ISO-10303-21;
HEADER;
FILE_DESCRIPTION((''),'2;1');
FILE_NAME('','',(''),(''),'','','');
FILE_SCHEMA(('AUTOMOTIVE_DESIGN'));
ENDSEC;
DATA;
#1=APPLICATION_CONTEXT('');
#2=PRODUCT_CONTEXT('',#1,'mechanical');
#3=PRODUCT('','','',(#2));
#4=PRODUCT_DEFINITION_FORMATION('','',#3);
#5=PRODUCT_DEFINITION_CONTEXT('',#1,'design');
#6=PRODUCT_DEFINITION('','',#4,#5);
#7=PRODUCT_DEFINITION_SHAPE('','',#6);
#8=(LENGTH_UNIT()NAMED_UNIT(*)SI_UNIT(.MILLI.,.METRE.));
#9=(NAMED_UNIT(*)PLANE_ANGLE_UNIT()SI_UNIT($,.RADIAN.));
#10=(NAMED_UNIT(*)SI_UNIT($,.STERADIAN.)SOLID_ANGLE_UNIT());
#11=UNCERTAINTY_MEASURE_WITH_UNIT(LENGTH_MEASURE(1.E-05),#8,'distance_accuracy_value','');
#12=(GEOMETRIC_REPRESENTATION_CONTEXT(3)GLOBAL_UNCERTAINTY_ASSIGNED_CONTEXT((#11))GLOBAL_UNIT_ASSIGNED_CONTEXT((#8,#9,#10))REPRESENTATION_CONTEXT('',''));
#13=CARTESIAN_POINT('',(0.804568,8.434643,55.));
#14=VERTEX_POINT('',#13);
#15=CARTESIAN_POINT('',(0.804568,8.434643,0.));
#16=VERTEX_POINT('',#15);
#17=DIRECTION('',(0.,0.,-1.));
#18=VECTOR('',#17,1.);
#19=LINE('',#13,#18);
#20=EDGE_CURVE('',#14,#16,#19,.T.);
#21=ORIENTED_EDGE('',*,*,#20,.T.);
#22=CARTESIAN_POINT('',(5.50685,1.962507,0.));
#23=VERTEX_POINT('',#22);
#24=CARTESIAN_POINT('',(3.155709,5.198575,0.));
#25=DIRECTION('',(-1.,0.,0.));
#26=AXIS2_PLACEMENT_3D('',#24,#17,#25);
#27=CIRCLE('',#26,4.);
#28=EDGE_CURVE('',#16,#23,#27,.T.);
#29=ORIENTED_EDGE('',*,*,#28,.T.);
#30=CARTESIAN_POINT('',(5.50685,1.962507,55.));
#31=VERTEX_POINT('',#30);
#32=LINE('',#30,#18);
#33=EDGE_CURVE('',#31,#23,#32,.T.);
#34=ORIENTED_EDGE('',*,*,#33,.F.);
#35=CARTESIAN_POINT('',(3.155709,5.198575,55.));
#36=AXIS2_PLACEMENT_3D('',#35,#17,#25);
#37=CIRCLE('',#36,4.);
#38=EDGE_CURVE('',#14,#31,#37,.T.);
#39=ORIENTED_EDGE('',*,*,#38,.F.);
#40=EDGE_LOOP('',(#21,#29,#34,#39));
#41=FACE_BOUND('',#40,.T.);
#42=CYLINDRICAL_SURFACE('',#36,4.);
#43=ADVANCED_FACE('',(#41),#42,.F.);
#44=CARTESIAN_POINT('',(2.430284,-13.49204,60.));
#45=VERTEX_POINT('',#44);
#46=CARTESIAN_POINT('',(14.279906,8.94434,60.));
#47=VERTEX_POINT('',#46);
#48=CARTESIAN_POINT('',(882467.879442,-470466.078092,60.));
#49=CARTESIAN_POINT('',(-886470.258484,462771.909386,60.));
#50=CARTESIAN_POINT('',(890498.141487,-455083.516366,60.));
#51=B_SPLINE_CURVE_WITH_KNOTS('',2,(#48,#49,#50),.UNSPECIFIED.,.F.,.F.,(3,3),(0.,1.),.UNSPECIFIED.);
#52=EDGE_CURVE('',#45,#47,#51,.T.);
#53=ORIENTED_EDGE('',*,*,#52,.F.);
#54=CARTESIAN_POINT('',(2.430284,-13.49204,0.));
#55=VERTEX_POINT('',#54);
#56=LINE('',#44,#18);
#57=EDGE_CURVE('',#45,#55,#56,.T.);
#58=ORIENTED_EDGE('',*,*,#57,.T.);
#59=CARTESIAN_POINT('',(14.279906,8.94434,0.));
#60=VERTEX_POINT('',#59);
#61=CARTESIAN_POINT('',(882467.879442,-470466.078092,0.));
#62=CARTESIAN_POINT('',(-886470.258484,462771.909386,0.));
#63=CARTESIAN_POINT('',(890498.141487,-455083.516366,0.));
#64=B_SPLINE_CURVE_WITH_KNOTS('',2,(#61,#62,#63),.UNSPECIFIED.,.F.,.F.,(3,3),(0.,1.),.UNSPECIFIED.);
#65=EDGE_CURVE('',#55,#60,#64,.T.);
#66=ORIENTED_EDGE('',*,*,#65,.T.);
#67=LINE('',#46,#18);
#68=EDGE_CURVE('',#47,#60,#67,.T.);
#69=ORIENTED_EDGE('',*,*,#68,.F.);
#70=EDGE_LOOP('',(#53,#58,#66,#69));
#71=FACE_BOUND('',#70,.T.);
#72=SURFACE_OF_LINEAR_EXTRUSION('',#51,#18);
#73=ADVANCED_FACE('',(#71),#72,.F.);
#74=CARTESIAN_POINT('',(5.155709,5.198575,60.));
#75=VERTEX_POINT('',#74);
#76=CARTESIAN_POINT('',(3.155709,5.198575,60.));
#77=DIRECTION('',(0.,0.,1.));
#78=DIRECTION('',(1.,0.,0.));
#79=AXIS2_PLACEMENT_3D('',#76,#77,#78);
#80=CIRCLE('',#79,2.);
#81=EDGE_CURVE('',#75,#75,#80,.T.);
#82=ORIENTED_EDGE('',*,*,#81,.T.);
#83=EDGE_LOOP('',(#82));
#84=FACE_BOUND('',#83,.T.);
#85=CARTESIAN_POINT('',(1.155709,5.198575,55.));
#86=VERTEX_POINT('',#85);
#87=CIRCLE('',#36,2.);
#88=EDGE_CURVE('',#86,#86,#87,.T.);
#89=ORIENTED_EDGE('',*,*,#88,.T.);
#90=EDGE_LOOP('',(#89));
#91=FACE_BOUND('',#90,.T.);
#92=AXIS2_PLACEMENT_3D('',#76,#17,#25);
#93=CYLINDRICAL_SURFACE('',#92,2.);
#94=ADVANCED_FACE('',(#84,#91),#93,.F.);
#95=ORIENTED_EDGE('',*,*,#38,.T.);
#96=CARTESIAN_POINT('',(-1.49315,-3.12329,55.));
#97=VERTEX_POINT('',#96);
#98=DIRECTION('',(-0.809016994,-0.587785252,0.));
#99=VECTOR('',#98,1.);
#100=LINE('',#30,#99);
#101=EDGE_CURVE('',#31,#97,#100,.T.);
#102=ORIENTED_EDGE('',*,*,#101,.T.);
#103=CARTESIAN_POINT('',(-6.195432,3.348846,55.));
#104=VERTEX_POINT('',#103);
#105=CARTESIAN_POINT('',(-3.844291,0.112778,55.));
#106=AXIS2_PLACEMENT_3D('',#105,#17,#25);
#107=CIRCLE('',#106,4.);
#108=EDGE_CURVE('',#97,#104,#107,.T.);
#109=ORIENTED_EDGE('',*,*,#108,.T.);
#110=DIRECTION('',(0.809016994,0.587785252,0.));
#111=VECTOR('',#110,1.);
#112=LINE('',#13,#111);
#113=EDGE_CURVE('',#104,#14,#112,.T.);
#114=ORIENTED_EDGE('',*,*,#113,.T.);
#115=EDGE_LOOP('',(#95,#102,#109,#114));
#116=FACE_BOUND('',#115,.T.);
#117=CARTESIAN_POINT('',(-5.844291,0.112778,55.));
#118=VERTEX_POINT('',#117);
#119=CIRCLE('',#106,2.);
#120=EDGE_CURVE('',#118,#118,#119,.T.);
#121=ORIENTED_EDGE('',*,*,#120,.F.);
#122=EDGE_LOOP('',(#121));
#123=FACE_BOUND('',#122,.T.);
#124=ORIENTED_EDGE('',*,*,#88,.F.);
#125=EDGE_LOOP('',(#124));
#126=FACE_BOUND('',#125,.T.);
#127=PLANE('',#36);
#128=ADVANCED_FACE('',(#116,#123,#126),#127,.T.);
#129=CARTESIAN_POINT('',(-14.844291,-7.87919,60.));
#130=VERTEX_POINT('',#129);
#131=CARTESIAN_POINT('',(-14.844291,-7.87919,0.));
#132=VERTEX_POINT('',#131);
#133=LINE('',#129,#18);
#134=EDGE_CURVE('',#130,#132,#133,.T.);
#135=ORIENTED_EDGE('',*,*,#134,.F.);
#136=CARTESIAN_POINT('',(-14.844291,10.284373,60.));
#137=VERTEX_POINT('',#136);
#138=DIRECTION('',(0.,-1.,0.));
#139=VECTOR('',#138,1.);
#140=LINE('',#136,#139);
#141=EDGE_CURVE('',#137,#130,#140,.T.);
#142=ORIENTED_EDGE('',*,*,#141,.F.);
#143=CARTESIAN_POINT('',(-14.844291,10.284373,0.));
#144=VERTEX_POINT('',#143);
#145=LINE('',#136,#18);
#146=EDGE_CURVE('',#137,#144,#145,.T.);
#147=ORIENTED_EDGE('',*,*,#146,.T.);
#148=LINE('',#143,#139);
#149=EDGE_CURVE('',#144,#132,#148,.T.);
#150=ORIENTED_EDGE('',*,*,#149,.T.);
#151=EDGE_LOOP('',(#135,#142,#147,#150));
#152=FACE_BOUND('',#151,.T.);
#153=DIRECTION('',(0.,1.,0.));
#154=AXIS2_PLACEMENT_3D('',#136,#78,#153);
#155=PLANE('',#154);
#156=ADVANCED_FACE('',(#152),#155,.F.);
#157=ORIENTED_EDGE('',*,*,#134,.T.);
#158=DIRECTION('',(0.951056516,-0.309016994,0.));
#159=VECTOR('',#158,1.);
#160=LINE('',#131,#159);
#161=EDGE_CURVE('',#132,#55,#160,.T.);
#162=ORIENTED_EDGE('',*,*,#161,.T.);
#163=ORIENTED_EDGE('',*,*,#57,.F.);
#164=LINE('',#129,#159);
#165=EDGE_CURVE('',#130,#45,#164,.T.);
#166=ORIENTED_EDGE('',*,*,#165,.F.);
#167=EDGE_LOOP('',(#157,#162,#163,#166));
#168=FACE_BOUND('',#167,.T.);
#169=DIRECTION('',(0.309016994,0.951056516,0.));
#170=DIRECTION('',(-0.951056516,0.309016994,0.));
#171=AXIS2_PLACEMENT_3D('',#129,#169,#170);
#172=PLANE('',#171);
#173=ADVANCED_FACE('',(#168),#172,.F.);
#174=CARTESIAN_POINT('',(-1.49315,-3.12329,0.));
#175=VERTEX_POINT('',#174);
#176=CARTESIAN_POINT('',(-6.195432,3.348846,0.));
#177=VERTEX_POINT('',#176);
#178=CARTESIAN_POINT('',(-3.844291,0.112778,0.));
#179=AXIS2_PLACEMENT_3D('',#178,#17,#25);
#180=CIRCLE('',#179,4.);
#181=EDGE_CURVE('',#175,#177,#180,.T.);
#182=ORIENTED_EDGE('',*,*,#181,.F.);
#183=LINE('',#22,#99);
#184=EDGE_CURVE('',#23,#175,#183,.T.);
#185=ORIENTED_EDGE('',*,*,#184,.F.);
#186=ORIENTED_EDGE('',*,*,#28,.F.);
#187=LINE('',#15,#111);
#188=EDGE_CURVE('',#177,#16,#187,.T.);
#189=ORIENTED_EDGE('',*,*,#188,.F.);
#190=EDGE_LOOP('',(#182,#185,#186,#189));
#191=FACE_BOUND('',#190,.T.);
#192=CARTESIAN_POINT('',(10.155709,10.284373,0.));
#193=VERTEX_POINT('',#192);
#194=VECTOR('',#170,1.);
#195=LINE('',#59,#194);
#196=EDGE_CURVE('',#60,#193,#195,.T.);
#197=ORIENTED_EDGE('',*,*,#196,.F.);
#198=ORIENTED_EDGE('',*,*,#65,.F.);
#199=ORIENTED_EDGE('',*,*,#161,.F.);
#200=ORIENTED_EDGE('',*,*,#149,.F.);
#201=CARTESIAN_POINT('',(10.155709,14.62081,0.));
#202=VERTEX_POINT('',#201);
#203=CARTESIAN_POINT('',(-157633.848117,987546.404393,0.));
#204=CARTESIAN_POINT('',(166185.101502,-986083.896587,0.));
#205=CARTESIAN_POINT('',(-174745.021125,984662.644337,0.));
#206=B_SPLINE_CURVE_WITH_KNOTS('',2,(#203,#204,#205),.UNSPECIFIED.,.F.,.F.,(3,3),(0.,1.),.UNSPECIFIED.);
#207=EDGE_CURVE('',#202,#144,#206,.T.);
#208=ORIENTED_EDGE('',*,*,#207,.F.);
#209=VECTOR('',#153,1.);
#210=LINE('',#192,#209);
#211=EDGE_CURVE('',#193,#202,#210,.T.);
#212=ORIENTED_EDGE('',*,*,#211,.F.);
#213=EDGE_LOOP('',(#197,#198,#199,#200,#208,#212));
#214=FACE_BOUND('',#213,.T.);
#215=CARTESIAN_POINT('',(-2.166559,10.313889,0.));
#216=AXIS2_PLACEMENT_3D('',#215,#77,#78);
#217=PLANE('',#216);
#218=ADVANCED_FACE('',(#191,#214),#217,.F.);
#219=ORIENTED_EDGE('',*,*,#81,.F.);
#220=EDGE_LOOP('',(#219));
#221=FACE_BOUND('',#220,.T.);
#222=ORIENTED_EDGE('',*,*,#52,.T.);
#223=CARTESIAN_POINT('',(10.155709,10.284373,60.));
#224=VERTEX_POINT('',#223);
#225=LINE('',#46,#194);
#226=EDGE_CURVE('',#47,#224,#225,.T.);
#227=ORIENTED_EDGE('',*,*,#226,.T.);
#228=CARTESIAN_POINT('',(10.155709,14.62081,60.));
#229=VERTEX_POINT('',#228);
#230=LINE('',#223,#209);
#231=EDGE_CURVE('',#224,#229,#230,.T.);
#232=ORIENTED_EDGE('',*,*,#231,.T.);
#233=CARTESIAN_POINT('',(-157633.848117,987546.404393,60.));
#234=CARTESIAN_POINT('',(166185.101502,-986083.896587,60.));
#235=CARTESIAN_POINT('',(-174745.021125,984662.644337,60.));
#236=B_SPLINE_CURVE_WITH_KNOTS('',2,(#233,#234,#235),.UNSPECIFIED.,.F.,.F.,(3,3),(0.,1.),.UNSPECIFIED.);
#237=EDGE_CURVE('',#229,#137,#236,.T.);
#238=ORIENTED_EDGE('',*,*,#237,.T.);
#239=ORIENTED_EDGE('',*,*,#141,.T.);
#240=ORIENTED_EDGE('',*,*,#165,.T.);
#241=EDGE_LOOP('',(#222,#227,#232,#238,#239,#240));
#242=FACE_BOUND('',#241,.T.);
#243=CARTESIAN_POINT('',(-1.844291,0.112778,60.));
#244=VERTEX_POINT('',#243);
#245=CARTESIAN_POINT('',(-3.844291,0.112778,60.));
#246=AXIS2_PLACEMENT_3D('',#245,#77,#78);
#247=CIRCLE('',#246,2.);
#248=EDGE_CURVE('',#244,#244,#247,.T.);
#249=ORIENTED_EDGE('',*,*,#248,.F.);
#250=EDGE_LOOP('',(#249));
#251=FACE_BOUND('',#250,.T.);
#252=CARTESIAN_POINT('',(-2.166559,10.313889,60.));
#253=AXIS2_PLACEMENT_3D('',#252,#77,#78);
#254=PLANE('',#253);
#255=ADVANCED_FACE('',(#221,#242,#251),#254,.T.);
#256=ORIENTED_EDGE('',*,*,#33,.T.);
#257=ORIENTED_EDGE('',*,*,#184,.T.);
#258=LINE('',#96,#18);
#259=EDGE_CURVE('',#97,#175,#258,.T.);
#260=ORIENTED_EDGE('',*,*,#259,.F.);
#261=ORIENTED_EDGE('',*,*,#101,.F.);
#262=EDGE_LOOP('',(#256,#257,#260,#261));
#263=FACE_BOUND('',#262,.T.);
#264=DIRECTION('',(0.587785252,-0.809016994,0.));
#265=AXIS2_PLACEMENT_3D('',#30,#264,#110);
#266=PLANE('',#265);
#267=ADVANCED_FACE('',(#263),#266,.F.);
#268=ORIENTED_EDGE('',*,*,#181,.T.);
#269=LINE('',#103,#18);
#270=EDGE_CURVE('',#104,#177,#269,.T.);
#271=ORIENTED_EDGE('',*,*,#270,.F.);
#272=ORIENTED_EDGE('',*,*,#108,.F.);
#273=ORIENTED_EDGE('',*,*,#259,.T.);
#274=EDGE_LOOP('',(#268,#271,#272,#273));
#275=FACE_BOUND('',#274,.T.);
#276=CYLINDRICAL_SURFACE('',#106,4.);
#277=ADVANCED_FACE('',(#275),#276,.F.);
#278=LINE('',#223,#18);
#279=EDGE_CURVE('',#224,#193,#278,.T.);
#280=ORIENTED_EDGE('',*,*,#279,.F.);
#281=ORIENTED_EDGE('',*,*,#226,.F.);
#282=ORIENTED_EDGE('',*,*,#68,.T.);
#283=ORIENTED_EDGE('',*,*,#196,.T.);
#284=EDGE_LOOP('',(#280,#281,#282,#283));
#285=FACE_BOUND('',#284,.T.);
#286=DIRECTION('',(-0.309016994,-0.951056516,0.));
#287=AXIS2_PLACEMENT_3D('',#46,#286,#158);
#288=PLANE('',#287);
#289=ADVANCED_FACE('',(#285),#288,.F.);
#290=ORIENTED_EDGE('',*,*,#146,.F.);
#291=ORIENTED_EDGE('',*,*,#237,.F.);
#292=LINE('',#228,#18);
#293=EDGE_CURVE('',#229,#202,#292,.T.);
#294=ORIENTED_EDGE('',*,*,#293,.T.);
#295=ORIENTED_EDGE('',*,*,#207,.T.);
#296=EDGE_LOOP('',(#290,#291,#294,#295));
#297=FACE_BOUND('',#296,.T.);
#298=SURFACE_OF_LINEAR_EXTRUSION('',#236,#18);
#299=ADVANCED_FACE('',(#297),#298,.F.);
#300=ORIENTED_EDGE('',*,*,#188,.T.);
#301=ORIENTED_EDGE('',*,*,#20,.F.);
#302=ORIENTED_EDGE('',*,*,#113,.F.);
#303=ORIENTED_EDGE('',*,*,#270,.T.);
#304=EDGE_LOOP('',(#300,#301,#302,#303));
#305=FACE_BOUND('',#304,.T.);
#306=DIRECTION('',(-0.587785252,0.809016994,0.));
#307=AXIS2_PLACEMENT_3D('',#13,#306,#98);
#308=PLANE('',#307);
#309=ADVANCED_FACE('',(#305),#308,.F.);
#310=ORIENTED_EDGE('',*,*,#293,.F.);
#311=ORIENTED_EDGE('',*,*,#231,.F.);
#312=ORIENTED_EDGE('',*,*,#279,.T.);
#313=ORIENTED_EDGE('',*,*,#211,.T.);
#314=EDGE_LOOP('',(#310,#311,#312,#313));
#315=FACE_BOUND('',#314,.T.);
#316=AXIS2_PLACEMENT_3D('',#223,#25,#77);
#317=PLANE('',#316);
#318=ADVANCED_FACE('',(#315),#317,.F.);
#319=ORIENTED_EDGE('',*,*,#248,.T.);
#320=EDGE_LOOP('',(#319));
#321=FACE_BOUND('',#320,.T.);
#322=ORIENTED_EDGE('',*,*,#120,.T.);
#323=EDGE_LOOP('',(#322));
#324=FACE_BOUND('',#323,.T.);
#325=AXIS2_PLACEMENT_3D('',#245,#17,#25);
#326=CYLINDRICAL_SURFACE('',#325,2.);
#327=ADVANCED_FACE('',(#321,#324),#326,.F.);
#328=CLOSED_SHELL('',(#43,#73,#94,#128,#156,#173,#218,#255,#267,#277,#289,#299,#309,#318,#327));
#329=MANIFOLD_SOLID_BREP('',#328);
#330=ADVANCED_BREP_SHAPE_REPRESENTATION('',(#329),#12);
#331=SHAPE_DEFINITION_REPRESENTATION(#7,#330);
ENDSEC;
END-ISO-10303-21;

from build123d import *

# Parameters (mm, degrees)
SKETCH_1_R          = 2
EXTRUDE_1_DEPTH     = 60
CUT_EXTRUDE_1_DEPTH = 55


with BuildPart() as part:
    # 草图1 → 凸台-拉伸1 (new body)
    with BuildSketch(Plane.XY):
        with BuildLine():
            Line((10.155709238, 10.284373102), (10.155709238, 14.620809902))
            add(Edge.make_bspline(
                [(10.155709238, 14.620809902), (-1.633651532, 8.235919316), (-14.844290763, 10.284373103)],
                knots=[0, 0, 0, 1, 1, 1], degree=2))
            Line((-14.844290763, 10.284373103), (-14.844290762, -7.879190098))
            Line((-14.844290762, -7.879190098), (2.430284378, -13.492039805))
            add(Edge.make_bspline(
                [(2.430284378, -13.492039805), (4.564401085, -0.294968248), (14.279905714, 8.944340437)],
                knots=[0, 0, 0, 1, 1, 1], degree=2))
            Line((14.279905714, 8.944340437), (10.155709238, 10.284373102))
        make_face()
        with Locations((-3.844290762, 0.11277771)):
            Circle(SKETCH_1_R, mode=Mode.SUBTRACT)
        with Locations((3.155709238, 5.198575406)):
            Circle(SKETCH_1_R, mode=Mode.SUBTRACT)
    extrude(amount=EXTRUDE_1_DEPTH)

    # 草图2 → 切除-拉伸1 (cut)
    with BuildSketch(Plane(origin=(0, 0, 0), x_dir=(-1, 0, 0), z_dir=(0, 0, -1))):
        with BuildLine():
            Line((-0.804568229, 8.434643384), (6.195431771, 3.348845688))
            ThreePointArc((6.195431771, 3.348845688), (7.08035874, -2.238363299), (1.493149753, -3.123290267))
            Line((1.493149753, -3.123290267), (-5.506850247, 1.962507429))
            ThreePointArc((-5.506850247, 1.962507429), (-6.391777215, 7.549716416), (-0.804568229, 8.434643384))
        make_face()
    extrude(amount=-CUT_EXTRUDE_1_DEPTH, mode=Mode.SUBTRACT)


solid = part.part
